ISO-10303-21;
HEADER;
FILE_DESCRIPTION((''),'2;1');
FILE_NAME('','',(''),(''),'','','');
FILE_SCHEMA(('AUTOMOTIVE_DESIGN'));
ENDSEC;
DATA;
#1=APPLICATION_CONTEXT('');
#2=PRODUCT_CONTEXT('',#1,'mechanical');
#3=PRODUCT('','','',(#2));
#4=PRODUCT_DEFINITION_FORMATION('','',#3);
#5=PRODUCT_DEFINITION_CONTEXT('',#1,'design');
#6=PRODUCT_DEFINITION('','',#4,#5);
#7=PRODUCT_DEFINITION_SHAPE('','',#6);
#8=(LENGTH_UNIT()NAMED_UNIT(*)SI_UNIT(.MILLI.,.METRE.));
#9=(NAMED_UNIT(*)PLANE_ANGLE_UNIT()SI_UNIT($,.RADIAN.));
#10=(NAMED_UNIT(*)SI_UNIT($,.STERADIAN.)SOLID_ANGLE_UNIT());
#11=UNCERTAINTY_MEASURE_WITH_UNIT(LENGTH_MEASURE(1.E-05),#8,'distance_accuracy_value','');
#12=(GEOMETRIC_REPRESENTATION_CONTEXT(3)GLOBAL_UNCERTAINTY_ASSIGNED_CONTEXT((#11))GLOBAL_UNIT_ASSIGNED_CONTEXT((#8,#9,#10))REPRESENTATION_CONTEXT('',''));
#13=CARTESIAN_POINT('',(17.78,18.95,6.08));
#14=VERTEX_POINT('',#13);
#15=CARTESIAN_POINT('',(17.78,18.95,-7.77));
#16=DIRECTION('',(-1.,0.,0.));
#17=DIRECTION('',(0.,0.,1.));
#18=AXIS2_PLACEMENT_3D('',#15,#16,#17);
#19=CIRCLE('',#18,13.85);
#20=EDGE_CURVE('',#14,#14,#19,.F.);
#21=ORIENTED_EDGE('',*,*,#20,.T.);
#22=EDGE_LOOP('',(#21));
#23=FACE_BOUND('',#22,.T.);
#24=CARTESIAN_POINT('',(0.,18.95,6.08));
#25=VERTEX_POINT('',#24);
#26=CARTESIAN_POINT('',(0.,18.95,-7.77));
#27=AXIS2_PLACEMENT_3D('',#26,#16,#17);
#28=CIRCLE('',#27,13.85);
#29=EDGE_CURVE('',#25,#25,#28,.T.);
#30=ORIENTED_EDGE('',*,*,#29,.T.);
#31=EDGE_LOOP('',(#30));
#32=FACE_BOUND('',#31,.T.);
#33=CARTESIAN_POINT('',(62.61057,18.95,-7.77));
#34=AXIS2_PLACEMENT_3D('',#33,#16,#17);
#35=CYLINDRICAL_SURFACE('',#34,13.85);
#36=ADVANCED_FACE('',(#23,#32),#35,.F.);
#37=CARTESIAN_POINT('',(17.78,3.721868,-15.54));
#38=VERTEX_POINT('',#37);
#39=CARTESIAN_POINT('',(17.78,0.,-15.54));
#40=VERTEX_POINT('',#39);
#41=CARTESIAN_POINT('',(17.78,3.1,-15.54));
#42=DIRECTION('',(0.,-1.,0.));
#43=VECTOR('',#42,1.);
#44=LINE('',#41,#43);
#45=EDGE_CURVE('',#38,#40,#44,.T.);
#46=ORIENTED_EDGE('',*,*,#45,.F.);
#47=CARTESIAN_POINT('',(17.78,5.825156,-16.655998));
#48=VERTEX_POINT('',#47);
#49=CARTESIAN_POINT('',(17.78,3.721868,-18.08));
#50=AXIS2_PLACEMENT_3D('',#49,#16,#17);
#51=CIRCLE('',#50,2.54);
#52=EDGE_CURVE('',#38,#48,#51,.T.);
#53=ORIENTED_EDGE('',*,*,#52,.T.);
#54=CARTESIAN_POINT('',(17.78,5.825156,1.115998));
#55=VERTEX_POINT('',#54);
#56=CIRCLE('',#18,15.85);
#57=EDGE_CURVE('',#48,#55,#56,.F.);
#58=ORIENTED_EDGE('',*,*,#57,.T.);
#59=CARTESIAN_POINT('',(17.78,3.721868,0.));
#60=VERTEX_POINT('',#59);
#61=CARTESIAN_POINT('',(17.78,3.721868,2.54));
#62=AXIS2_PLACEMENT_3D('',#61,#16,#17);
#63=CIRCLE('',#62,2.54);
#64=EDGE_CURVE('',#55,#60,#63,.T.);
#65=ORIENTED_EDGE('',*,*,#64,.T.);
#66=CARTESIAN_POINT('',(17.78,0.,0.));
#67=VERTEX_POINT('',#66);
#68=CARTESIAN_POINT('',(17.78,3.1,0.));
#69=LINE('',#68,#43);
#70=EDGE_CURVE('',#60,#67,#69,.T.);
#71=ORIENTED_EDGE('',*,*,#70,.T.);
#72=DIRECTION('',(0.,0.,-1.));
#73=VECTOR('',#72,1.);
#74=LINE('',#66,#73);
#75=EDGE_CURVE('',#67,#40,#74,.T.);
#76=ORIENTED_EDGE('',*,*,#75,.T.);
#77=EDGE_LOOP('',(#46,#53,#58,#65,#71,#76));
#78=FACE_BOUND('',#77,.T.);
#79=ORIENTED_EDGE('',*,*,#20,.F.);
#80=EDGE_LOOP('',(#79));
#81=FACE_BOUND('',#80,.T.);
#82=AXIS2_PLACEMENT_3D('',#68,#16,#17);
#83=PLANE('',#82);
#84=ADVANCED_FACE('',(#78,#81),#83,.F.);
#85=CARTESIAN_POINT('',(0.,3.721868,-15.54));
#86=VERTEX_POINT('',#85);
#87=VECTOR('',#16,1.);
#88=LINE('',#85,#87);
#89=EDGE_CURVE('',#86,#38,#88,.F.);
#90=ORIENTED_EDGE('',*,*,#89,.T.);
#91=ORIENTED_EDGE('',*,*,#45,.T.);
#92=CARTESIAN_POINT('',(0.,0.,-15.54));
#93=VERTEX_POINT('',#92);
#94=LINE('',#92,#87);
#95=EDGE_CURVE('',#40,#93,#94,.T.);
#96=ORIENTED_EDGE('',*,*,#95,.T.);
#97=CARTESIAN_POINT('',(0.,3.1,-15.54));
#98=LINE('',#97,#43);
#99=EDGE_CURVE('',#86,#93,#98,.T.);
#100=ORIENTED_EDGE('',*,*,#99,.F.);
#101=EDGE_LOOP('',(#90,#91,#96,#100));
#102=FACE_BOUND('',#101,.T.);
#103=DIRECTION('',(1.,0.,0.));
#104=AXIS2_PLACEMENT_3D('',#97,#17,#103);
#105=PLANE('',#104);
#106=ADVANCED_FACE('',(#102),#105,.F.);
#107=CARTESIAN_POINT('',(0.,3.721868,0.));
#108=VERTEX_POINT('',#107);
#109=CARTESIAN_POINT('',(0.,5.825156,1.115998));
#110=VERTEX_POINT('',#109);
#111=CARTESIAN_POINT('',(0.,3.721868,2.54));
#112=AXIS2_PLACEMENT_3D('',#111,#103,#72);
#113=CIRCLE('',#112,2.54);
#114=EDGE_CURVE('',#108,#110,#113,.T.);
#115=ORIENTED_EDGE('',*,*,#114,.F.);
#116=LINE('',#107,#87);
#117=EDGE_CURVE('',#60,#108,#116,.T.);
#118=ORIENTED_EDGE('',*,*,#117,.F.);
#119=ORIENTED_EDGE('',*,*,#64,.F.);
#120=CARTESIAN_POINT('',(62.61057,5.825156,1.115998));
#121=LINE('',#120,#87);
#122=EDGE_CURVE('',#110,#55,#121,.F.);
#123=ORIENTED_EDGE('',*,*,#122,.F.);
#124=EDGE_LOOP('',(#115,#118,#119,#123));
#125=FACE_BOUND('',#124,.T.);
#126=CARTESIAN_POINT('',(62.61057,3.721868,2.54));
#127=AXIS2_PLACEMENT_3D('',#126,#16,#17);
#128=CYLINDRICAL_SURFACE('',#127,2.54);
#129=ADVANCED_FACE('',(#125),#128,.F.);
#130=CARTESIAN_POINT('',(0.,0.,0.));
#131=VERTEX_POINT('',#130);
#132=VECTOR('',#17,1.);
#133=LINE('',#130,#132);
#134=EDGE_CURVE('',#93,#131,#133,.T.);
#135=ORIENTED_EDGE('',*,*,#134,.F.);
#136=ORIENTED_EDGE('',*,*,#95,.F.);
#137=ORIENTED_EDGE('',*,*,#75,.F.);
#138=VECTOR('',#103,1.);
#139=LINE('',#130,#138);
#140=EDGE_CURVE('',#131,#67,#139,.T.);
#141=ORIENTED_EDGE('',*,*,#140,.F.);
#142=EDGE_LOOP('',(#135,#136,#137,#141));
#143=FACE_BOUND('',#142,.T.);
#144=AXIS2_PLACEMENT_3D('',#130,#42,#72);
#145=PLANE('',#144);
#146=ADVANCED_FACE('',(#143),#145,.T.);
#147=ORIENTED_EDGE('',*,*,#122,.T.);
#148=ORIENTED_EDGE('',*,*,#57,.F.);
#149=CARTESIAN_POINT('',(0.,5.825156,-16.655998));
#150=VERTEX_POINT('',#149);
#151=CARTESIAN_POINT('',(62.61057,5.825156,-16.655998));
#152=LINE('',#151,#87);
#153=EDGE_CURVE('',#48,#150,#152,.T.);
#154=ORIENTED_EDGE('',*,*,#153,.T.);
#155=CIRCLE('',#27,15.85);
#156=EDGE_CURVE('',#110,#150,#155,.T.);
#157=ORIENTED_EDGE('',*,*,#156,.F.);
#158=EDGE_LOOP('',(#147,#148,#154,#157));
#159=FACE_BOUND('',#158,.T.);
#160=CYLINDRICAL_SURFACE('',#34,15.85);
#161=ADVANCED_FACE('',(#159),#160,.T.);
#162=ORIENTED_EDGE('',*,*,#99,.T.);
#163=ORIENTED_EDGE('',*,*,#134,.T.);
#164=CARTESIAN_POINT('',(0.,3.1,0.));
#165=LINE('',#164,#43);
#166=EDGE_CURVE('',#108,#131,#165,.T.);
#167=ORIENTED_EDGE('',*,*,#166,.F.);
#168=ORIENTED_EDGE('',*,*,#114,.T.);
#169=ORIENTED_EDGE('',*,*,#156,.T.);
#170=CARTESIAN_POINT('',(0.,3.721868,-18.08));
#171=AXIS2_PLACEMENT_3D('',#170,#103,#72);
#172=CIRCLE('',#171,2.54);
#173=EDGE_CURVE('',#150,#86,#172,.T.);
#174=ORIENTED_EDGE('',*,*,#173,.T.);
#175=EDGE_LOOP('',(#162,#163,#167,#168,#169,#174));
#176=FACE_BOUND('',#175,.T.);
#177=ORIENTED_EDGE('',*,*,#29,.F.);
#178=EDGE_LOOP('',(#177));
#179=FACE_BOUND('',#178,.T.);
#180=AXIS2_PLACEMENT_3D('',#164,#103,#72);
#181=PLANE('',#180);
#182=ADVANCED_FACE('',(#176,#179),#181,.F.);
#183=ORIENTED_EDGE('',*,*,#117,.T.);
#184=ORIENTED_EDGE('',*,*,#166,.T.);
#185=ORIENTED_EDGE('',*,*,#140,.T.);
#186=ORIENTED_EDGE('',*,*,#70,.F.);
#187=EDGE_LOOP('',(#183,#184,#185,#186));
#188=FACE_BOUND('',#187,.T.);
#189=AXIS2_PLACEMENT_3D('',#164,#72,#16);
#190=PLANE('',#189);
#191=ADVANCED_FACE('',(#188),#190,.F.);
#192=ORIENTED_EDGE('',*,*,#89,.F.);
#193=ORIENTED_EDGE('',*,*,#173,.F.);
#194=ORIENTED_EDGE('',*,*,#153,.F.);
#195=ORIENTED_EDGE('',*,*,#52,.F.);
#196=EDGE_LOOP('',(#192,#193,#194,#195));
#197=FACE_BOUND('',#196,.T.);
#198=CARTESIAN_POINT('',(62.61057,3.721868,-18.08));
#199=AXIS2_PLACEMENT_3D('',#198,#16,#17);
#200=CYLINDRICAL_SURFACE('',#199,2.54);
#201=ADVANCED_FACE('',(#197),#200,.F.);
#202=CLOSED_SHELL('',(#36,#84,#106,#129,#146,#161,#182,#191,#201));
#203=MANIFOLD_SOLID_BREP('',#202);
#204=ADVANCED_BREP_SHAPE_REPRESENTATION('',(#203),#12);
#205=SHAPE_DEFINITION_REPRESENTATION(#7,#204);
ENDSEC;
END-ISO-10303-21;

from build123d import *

# Parameters (mm, degrees)
SKETCH1_W           = 17.78
SKETCH1_H           = 15.54
BOSS_EXTRUDE1_DEPTH = 3.1
SKETCH3_R           = 13.85
BOSS_EXTRUDE2_DEPTH = 17.78
FILLET1_R           = 2.54


with BuildPart() as part:
    # Sketch1 → Boss-Extrude1 (new body)
    with BuildSketch(Plane(origin=(0, 0, 0), x_dir=(1, 0, 0), z_dir=(0, 1, 0))):
        with Locations((8.89, 7.77)):
            Rectangle(SKETCH1_W, SKETCH1_H)
    extrude(amount=BOSS_EXTRUDE1_DEPTH)

    # Sketch3 → Boss-Extrude2 (add)
    with BuildSketch(Plane.ZY):
        with BuildLine():
            Line((-15.54, 3.1), (-15.54, 5.135167392))
            ThreePointArc((-15.54, 5.135167392), (-7.77, 34.8), (0, 5.135167392))
            Line((0, 5.135167392), (0, 3.1))
            Line((0, 3.1), (-15.54, 3.1))
        make_face()
        with Locations((-7.77, 18.95)):
            Circle(SKETCH3_R, mode=Mode.SUBTRACT)
    extrude(amount=-BOSS_EXTRUDE2_DEPTH)

    # Fillet1
    fillet1_edges = [part.edges().sort_by_distance(p)[0] for p in [
        (8.89, 5.135167392, 0),
        (8.89, 5.135167392, -15.54),
    ]]
    fillet(fillet1_edges, radius=FILLET1_R)


solid = part.part
